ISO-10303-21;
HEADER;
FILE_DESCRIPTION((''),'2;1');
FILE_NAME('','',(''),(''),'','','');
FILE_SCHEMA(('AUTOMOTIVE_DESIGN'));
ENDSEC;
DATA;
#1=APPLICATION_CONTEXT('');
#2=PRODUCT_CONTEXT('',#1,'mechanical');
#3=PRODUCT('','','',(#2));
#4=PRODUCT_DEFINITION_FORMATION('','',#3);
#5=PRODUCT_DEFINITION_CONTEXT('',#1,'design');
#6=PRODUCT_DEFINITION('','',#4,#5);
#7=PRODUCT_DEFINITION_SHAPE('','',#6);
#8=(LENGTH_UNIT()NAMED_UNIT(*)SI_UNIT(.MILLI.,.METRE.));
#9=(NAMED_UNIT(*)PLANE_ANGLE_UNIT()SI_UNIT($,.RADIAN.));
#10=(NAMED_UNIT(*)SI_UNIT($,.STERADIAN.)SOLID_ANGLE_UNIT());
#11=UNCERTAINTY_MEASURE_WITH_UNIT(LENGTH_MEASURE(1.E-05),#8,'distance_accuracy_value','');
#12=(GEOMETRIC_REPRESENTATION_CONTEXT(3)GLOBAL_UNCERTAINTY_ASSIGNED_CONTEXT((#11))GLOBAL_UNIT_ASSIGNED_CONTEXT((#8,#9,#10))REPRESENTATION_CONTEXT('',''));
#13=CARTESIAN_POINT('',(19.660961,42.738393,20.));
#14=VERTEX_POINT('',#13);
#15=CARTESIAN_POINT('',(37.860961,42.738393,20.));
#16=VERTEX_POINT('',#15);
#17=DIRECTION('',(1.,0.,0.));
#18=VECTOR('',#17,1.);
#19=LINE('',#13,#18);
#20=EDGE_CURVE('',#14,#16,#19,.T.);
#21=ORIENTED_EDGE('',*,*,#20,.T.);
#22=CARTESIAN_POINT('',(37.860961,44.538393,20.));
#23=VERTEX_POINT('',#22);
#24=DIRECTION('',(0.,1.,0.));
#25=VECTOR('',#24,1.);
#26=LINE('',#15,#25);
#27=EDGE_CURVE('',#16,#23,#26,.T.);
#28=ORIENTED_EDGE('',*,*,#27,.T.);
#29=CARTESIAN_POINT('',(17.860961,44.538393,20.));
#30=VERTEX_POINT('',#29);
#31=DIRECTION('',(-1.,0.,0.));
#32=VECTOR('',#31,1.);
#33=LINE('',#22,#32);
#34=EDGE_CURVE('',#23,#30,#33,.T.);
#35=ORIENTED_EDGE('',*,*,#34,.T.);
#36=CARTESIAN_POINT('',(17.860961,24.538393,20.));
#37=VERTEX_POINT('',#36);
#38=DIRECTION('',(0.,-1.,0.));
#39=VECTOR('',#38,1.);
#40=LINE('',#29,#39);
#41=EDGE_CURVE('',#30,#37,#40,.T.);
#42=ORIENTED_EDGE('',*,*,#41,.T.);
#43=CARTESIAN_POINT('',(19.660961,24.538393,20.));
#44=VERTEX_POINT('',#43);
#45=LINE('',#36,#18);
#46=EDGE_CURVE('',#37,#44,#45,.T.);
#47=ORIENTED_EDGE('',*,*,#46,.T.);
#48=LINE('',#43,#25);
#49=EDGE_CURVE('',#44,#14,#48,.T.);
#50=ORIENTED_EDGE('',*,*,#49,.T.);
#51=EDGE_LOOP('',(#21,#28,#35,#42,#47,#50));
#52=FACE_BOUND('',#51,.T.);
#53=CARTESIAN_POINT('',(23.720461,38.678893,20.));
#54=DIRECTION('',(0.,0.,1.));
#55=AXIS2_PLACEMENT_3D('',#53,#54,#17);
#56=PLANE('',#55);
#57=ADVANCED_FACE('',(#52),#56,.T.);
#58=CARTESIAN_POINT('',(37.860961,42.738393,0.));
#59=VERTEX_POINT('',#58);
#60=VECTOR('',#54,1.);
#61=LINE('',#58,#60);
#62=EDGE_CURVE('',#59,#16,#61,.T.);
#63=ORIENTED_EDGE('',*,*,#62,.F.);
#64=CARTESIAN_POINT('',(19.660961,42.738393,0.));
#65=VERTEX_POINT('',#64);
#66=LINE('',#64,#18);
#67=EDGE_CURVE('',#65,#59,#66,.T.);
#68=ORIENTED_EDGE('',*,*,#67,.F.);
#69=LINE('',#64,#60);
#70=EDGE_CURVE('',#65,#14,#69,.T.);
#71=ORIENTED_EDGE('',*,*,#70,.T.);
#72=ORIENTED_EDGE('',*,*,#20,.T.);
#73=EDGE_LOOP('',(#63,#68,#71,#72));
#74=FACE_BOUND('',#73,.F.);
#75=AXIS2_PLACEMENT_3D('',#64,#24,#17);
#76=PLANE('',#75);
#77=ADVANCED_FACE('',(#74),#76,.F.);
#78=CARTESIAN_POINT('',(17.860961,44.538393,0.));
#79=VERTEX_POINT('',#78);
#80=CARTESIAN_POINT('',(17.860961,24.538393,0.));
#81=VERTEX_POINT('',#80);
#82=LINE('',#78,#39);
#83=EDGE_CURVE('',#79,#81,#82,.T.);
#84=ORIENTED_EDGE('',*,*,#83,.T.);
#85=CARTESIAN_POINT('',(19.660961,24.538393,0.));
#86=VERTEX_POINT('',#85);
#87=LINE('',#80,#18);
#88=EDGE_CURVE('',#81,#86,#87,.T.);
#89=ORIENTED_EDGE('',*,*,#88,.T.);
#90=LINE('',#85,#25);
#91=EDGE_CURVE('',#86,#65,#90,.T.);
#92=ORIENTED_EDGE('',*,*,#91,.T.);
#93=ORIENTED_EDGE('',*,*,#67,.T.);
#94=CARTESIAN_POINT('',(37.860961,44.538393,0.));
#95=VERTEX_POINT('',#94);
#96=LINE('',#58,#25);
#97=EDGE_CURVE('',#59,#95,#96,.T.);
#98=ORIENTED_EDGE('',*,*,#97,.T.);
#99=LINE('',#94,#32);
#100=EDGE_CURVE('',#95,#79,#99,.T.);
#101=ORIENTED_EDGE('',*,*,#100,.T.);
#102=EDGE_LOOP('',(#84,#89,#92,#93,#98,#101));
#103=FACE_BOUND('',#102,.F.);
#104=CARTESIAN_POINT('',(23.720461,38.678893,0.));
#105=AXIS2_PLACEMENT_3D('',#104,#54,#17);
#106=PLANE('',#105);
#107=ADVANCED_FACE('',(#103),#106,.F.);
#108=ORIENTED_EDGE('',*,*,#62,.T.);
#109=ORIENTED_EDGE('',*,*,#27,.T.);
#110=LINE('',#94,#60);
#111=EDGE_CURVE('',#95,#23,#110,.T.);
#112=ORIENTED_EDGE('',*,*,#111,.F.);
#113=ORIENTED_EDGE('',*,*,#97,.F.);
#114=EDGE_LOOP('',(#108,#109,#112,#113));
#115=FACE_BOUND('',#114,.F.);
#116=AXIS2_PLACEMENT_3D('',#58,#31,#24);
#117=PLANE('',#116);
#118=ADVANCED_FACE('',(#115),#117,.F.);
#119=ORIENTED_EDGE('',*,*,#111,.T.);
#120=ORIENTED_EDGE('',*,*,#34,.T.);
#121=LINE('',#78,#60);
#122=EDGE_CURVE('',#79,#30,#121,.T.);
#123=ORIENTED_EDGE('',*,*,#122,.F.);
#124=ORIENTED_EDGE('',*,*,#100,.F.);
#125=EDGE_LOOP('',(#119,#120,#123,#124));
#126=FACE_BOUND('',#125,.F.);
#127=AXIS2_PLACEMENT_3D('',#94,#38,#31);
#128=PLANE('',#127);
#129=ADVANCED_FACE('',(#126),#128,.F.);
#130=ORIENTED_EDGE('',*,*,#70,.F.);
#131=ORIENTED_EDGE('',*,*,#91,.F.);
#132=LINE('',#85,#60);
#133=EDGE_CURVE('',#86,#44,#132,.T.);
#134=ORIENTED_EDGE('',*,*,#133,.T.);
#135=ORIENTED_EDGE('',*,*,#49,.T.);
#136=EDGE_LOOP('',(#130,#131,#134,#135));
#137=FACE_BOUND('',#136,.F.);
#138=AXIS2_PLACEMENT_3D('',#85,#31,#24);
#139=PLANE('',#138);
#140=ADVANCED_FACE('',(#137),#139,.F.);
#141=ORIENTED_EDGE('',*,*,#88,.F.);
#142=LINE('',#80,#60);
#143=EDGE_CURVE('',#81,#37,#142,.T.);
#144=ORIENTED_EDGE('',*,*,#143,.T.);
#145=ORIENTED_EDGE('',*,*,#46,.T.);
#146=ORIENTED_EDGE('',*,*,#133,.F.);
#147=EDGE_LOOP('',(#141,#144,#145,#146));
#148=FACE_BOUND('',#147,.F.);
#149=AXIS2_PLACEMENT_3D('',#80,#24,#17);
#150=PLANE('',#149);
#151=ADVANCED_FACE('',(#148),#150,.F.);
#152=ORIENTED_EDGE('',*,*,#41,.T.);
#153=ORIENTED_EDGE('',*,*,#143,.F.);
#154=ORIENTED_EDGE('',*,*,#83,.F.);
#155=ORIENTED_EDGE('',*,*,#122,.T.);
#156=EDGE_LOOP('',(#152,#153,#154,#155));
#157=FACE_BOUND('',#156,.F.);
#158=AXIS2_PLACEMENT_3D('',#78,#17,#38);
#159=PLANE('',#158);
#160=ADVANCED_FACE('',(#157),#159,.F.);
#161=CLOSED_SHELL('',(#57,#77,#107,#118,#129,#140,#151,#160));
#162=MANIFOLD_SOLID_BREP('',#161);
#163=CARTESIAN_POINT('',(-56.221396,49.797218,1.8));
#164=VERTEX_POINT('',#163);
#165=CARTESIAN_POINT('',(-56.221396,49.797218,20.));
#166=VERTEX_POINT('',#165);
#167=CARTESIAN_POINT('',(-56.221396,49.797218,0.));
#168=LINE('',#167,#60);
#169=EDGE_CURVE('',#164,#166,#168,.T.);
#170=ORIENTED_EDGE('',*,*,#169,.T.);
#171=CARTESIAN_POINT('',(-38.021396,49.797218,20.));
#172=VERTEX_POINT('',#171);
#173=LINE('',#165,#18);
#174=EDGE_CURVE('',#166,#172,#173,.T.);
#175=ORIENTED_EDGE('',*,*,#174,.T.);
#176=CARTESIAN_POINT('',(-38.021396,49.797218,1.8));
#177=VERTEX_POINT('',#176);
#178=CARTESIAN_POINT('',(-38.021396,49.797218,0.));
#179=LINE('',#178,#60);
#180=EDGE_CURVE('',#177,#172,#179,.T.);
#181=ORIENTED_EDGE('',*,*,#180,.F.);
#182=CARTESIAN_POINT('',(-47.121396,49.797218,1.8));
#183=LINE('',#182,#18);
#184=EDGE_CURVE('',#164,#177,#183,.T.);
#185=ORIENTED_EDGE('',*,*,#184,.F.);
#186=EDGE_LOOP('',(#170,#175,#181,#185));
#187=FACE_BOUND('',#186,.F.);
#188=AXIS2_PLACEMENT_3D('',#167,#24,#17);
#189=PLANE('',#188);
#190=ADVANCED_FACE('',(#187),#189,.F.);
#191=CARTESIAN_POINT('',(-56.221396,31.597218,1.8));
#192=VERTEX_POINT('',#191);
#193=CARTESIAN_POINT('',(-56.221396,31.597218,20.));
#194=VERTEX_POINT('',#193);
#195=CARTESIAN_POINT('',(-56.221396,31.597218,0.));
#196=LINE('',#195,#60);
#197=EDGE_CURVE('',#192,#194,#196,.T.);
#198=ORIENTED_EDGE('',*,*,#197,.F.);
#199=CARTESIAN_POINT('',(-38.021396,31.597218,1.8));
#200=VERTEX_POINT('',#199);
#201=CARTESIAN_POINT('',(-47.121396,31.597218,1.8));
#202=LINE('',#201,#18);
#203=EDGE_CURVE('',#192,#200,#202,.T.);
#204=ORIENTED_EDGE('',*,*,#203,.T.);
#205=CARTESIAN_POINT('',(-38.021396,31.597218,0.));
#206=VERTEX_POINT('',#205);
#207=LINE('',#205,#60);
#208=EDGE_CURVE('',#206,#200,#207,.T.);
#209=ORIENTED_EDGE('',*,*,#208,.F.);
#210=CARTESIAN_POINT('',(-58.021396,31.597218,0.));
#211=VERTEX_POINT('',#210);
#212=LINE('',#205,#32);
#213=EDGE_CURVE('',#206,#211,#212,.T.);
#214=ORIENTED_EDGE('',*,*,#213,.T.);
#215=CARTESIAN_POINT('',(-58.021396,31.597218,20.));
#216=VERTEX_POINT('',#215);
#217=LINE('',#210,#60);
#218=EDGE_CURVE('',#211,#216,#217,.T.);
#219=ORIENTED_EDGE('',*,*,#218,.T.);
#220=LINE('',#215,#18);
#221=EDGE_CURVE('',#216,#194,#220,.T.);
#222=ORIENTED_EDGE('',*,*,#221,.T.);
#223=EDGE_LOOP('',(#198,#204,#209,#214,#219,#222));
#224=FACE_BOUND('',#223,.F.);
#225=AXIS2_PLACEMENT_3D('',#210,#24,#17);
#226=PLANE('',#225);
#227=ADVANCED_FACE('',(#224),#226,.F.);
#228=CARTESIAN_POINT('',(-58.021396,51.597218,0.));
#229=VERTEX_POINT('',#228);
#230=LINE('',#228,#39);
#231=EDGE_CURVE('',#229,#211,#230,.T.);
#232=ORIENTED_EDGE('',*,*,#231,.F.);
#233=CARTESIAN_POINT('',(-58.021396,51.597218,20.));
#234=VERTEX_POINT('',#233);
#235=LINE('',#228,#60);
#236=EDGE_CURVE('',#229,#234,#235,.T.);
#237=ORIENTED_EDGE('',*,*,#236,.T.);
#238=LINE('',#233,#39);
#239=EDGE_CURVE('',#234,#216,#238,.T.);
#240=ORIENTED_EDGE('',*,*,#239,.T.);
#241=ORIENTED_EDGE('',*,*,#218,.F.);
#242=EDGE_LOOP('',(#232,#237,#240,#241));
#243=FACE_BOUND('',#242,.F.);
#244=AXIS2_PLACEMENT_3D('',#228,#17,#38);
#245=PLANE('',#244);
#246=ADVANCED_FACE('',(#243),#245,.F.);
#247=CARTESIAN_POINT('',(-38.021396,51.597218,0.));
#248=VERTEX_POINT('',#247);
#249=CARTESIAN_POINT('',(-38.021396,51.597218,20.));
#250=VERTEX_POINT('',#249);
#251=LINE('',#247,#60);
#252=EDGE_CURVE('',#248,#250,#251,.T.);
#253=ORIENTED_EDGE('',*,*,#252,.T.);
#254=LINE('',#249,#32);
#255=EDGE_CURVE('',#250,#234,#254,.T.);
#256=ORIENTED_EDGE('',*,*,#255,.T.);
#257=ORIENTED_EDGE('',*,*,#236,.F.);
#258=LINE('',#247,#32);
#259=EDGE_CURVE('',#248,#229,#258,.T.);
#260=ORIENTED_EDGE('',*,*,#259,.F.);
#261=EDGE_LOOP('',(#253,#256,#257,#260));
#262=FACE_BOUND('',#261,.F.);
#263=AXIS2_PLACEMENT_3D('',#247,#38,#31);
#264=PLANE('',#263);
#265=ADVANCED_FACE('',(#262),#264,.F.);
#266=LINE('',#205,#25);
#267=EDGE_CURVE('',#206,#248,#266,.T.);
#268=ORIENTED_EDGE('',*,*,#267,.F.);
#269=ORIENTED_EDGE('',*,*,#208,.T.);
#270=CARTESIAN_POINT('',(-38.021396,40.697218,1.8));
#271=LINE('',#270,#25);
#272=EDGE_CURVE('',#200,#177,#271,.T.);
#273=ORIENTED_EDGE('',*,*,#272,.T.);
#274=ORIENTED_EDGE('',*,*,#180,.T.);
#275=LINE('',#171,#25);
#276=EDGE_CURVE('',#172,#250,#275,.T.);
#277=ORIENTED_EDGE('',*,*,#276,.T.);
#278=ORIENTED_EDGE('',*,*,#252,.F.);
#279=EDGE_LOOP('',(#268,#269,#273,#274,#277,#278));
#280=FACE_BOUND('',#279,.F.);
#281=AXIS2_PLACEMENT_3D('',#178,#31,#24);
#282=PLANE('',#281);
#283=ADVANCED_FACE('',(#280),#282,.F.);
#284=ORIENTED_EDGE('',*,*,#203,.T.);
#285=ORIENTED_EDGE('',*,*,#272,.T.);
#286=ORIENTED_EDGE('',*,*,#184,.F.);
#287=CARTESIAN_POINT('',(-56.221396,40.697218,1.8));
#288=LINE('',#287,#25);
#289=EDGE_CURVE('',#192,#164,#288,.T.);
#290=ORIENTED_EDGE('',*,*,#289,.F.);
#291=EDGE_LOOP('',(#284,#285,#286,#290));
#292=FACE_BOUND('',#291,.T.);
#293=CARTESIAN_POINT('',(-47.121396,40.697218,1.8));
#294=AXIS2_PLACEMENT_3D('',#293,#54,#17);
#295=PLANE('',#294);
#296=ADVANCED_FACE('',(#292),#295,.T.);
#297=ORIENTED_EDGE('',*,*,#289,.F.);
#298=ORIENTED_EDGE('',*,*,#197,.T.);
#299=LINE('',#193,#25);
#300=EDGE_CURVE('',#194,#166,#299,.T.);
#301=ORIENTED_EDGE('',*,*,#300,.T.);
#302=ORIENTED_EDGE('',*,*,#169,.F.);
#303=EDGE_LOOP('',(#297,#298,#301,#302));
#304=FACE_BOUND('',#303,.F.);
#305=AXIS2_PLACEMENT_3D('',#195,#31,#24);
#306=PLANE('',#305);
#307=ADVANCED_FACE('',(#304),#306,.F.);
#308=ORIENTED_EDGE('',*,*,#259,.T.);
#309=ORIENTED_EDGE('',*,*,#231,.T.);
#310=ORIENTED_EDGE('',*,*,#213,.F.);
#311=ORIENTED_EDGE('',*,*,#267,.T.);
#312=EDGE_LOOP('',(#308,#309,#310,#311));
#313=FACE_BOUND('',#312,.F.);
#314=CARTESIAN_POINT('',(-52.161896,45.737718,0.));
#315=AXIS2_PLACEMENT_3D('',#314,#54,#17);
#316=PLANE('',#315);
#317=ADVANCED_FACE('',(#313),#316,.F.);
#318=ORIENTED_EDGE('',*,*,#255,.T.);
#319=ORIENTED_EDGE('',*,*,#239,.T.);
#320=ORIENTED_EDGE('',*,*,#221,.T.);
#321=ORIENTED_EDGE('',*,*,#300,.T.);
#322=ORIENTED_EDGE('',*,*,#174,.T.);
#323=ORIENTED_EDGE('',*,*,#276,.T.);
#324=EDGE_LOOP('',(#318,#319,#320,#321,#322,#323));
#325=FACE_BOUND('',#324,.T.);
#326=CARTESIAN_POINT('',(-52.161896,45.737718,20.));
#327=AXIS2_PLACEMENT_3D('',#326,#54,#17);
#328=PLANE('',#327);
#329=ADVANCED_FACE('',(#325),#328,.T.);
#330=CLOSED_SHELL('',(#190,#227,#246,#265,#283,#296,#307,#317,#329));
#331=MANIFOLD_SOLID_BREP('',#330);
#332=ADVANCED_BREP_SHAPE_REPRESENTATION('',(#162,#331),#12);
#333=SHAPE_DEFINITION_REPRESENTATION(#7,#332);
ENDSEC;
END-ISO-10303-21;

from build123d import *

# Parameters (mm, degrees)
F0_W     = 18.2
F0_H     = 18.2
F1_DEPTH = 1.8
F2_DEPTH = 20
F3_DEPTH = 20


with BuildPart() as f1:
    # F0 (on Top) → F1 (new body)
    with BuildSketch(Plane.XY):
        with Locations((-47.121396, 40.697218)):
            Rectangle(F0_W, F0_H)
    extrude(amount=F1_DEPTH)

    # F0 (on Top) → F2 (join)
    with BuildSketch(Plane.XY):
        Polygon((-38.021396, 51.597218), (-58.021396, 51.597218), (-58.021396, 31.597218), (-56.221396, 31.597218), (-56.221396, 49.797218), (-38.021396, 49.797218), align=None)
    extrude(amount=F2_DEPTH)


with BuildPart() as f3:
    # F0 (on Top) → F3 (new body)
    with BuildSketch(Plane.XY):
        Polygon((19.660961, 44.538393), (17.860961, 44.538393), (17.860961, 24.538393), (19.660961, 24.538393), (19.660961, 42.738393), (37.860961, 42.738393), (37.860961, 44.538393), align=None)
    extrude(amount=F3_DEPTH)


solid = Compound([f1.part, f3.part])
